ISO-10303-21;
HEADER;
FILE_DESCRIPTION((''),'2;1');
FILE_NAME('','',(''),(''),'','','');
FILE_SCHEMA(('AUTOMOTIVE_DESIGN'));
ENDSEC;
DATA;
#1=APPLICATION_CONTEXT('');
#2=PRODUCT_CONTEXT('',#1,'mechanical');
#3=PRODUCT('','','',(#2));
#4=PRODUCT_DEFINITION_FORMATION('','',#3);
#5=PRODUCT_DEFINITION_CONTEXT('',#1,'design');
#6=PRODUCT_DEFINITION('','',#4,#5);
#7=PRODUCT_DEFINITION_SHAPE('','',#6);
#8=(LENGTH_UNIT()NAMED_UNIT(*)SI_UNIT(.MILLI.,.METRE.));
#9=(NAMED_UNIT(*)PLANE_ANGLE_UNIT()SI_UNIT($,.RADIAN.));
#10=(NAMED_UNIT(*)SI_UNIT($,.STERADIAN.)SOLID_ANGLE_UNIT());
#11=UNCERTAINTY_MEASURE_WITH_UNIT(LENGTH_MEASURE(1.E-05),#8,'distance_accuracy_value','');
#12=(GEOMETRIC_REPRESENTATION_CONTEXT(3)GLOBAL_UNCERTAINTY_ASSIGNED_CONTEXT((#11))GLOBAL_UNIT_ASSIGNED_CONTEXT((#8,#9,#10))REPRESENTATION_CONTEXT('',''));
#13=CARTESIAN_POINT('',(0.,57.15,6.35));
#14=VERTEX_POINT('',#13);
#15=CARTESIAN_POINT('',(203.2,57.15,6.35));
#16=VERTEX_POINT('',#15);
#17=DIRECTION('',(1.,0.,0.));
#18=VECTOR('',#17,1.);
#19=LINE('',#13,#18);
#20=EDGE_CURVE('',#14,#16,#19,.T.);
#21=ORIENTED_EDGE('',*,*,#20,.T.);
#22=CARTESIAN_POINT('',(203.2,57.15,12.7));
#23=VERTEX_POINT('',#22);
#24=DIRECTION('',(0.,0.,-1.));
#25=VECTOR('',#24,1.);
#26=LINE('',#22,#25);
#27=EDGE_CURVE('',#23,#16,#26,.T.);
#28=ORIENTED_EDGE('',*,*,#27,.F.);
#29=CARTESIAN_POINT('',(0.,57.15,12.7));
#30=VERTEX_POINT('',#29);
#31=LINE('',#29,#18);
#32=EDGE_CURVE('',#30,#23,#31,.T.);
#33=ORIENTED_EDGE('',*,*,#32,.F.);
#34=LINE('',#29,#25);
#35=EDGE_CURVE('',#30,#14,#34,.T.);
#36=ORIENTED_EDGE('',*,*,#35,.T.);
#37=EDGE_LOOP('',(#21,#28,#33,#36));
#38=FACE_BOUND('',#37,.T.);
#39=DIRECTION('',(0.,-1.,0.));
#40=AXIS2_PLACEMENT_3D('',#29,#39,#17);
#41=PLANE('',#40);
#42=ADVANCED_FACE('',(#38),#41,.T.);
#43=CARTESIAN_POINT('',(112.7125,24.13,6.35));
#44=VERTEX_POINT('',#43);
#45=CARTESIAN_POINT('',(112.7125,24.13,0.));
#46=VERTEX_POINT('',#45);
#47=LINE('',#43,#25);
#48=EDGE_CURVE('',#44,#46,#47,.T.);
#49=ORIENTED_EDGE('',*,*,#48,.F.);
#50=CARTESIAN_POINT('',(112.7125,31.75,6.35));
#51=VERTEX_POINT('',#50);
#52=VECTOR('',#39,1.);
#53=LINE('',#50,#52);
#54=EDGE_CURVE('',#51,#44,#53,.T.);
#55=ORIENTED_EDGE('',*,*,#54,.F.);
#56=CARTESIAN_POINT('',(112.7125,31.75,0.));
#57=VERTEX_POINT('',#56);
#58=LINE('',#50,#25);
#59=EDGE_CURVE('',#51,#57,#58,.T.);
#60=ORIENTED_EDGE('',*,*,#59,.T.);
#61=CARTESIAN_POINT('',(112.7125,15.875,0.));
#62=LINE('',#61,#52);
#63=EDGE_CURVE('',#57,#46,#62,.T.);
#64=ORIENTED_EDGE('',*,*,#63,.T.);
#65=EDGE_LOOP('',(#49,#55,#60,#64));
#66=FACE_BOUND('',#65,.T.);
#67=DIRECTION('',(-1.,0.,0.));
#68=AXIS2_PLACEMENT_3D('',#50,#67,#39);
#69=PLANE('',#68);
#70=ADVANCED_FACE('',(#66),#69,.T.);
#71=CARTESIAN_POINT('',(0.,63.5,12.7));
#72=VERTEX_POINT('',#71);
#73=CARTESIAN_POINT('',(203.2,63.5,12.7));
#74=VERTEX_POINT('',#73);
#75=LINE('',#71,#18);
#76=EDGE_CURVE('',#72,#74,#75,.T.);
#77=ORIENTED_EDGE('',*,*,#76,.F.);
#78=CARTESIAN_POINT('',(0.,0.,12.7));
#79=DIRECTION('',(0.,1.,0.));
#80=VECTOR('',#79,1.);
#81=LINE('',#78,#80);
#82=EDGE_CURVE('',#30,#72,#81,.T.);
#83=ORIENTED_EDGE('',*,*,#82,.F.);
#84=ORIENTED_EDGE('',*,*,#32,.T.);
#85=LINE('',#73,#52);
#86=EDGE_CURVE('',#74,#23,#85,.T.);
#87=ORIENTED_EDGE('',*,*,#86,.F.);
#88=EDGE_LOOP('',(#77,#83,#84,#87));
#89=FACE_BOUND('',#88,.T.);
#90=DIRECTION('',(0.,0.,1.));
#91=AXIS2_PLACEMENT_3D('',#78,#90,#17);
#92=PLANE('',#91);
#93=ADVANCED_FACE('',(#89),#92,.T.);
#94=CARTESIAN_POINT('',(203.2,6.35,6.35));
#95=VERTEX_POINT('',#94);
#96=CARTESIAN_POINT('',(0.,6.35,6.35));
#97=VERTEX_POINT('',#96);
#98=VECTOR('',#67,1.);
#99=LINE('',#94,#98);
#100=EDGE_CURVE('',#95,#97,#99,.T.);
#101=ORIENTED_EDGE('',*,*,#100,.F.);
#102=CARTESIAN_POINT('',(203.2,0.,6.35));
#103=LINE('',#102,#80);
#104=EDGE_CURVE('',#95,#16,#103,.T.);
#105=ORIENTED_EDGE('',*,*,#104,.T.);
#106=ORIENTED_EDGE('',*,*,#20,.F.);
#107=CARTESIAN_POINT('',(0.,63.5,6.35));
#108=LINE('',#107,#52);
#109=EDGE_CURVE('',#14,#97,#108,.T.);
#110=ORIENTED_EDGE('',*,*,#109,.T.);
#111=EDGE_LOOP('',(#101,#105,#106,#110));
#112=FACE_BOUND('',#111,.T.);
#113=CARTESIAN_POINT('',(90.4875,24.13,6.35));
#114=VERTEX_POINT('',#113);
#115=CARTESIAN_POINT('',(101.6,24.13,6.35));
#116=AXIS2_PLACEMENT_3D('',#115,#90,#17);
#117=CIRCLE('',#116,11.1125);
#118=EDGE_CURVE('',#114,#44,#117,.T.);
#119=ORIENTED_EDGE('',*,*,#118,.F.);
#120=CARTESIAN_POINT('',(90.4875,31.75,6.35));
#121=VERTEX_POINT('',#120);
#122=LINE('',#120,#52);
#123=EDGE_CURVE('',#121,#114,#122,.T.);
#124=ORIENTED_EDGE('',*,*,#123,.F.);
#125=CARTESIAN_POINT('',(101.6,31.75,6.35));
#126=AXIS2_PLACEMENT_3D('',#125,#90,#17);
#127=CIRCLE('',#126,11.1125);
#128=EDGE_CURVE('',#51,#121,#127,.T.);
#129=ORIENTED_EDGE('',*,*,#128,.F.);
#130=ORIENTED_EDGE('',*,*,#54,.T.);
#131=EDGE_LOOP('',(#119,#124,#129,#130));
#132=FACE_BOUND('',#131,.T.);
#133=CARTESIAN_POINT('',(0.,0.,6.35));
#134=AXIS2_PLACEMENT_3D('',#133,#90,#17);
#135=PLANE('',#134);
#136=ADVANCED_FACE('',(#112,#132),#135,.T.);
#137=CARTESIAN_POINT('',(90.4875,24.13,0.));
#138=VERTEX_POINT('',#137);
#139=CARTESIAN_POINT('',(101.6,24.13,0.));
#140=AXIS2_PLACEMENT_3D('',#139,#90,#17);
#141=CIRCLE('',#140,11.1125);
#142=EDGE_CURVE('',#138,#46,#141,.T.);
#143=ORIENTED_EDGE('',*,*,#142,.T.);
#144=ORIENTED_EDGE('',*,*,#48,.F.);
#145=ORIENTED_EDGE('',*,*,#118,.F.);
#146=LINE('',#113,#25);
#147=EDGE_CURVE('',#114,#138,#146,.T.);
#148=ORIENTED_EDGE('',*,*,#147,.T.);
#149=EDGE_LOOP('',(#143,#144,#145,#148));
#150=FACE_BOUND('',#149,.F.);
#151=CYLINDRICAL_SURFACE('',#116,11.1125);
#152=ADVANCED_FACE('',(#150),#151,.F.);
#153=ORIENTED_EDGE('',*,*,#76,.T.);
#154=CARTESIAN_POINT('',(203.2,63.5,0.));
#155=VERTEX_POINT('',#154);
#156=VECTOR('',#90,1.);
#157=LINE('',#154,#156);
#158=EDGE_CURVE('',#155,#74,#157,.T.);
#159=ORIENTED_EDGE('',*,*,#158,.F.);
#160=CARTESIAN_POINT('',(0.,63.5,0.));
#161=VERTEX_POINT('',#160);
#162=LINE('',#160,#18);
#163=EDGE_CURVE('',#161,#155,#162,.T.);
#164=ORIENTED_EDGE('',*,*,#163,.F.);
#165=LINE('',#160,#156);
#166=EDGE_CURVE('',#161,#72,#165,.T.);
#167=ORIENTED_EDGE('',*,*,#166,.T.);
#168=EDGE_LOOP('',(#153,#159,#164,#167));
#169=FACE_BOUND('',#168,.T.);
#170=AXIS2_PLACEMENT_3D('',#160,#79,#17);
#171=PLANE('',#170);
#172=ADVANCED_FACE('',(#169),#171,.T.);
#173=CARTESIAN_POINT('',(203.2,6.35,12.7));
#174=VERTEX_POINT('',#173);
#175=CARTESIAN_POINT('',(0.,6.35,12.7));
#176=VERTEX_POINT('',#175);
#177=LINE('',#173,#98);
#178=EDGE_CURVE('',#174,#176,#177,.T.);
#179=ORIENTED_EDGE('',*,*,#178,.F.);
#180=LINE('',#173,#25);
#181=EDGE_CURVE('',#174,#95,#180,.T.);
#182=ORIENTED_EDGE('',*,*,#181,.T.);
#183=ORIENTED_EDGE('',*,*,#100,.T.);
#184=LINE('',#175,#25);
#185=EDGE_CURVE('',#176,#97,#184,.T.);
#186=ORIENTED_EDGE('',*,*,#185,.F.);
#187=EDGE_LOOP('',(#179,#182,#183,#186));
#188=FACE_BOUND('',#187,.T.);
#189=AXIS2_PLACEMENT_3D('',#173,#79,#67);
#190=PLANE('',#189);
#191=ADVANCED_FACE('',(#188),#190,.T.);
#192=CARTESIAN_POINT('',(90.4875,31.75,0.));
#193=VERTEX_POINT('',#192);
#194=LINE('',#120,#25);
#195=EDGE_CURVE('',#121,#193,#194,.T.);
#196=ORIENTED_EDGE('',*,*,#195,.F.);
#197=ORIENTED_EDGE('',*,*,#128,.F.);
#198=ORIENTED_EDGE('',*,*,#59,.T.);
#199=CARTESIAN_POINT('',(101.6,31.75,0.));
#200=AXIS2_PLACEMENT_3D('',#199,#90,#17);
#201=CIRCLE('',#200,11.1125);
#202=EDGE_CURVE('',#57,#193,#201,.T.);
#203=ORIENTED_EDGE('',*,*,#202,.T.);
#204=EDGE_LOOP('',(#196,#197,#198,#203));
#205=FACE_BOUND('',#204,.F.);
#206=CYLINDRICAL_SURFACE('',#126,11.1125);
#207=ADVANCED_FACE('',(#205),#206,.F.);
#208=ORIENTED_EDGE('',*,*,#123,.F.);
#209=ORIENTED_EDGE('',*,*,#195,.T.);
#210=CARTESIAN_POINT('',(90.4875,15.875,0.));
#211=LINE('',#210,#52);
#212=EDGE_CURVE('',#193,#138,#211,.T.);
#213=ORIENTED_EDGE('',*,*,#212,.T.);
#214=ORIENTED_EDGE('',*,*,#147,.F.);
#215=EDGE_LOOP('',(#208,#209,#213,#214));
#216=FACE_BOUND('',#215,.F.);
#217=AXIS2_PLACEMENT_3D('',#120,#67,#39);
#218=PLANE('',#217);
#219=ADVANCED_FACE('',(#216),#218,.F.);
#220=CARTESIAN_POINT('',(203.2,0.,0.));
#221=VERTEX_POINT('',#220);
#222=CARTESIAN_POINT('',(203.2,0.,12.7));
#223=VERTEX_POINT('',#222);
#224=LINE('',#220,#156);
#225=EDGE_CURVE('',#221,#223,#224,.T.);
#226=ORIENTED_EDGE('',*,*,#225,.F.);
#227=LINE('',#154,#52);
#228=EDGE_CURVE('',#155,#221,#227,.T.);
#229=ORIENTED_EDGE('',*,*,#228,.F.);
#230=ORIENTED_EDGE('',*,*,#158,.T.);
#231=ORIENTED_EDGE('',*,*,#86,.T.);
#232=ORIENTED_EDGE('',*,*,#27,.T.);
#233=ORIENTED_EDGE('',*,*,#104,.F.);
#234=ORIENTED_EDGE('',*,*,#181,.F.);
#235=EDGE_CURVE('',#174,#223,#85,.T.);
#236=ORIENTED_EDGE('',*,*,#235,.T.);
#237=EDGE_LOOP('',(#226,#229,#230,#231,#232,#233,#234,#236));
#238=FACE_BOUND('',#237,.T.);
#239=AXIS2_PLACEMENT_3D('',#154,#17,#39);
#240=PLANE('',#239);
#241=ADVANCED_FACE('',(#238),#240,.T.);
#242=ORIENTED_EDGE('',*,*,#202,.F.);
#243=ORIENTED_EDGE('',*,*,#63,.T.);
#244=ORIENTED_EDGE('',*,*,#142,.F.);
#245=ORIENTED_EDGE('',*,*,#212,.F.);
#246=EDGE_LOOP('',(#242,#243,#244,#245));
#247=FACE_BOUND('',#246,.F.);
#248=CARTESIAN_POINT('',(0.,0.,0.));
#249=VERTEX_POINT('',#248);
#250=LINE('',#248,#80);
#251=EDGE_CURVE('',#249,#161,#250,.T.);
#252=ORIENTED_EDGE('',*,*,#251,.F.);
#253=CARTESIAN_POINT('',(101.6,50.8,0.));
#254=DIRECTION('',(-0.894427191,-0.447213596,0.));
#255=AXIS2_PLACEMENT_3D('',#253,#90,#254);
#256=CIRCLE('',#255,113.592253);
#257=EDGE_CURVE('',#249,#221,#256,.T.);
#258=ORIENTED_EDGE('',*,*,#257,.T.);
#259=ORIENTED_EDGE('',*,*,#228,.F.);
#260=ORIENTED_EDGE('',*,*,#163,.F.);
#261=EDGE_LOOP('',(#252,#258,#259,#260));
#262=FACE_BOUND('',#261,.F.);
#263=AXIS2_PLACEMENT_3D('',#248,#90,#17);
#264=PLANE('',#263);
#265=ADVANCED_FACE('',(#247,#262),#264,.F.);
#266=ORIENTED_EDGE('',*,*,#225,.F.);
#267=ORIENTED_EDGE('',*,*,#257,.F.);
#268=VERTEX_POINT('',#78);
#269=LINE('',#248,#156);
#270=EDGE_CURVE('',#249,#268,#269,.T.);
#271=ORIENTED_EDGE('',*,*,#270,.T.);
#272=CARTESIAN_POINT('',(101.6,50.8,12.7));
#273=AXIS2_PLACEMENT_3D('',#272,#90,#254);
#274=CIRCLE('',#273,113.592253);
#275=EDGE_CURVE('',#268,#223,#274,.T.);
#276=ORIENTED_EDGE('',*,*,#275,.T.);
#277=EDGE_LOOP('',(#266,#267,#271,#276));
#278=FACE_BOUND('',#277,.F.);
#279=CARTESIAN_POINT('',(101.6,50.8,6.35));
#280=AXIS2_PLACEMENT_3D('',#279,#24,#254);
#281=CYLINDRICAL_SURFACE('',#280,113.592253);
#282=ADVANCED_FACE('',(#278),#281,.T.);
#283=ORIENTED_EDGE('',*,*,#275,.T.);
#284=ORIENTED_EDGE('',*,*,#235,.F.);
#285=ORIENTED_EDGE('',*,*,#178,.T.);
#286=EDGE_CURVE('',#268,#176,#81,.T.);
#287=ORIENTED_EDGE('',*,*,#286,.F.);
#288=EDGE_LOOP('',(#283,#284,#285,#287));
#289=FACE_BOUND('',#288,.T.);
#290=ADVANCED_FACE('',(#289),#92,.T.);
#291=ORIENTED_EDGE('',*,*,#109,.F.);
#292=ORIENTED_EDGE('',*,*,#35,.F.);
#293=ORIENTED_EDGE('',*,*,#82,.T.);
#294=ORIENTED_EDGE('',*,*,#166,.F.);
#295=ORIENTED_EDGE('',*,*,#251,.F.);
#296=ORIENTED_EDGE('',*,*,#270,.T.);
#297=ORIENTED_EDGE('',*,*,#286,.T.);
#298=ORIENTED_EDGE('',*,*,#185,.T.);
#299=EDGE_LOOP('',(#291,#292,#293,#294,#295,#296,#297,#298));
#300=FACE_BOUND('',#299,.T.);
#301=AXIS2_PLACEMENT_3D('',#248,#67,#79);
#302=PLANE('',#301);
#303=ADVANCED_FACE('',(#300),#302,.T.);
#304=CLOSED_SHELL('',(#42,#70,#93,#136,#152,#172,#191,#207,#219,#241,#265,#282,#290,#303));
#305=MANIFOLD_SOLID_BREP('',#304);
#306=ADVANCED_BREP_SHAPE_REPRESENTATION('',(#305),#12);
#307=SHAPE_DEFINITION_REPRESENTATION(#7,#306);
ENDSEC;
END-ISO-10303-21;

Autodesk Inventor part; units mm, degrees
ref_plane "YZ Plane" through (0, 0, 0) normal (1, 0, 0) x (0, 1, 0)
ref_plane "XZ Plane" through (0, 0, 0) normal (0, 1, 0) x (-1, 0, 0)
ref_plane "XY Plane" through (0, 0, 0) normal (0, 0, 1) x (1, 0, 0)
sketch "Sketch1" plane through (0, 0, 0) normal (0, 0, 1) x (1, 0, 0)
  line L0 (0, 0) -> (0, 63.5)
  line L1 (0, 63.5) -> (203.2, 63.5)
  line L2 (203.2, 63.5) -> (203.2, 0)
  line L3 (0, 0) -> (203.2, 0)
  dimension "d0" = 63.5
  dimension "d1" = 203.2
extrude "Extrusion1" add sketch "Sketch1" along normal blind 12.7
sketch "Sketch2" plane through (0, 0, 12.7) normal (0, 0, 1) x (1, 0, 0)
  line L0 (0, 63.5) -> (0, 0) projected
  line L1 (203.2, 0) -> (203.2, 63.5) projected
  line L2 (0, 57.15) -> (203.2, 57.15)
  line L3 (203.2, 57.15) -> (203.2, 6.35)
  line L4 (203.2, 6.35) -> (0, 6.35)
  line L5 (0, 6.35) -> (0, 57.15)
  line L6 (0, 63.5) -> (203.2, 63.5) projected
  line L7 (203.2, 0) -> (0, 0) projected
  dimension "d4" = 6.35
  dimension "d5" = 6.35
extrude "Extrusion2" cut sketch "Sketch2" against normal blind 6.35 contours L2 L1 L4 L0
sketch "Sketch3" plane through (0, 0, 6.35) normal (0, 0, 1) x (1, 0, 0)
  arc A0 (0, 0) -> (203.2, 0) centre (101.6, 50.8) ccw
  line L0 (0, 0) -> (203.2, 0) projected
  dimension "d8" = 50.8
extrude "Extrusion3" add sketch "Sketch3" along normal mid plane 12.7
sketch "Sketch4" plane through (0, 0, 6.35) normal (0, 0, 1) x (1, 0, 0)
  circle A0 centre (101.6, 31.75) radius 11.1125
  circle A1 centre (101.6, 24.13) radius 11.1125
  line L0 (203.2, 57.15) -> (203.2, 6.35) projected
  line L1 (0, 57.15) -> (203.2, 57.15) projected
  line L2 (90.4875, 31.75) -> (90.4875, 24.13)
  line L3 (112.7125, 31.75) -> (112.7125, 24.13)
  point P0 (0, 0)
  dimension "d11" = 101.6
  dimension "d12" = 101.6
  dimension "d13" = 22.225
  dimension "d14" = 7.62
  dimension "d15" = 22.225
  dimension "d16" = 25.4
extrude "Extrusion4" cut sketch "Sketch4" against normal blind 12.7
properties part number "C11_ZP_middle wheel plate"
